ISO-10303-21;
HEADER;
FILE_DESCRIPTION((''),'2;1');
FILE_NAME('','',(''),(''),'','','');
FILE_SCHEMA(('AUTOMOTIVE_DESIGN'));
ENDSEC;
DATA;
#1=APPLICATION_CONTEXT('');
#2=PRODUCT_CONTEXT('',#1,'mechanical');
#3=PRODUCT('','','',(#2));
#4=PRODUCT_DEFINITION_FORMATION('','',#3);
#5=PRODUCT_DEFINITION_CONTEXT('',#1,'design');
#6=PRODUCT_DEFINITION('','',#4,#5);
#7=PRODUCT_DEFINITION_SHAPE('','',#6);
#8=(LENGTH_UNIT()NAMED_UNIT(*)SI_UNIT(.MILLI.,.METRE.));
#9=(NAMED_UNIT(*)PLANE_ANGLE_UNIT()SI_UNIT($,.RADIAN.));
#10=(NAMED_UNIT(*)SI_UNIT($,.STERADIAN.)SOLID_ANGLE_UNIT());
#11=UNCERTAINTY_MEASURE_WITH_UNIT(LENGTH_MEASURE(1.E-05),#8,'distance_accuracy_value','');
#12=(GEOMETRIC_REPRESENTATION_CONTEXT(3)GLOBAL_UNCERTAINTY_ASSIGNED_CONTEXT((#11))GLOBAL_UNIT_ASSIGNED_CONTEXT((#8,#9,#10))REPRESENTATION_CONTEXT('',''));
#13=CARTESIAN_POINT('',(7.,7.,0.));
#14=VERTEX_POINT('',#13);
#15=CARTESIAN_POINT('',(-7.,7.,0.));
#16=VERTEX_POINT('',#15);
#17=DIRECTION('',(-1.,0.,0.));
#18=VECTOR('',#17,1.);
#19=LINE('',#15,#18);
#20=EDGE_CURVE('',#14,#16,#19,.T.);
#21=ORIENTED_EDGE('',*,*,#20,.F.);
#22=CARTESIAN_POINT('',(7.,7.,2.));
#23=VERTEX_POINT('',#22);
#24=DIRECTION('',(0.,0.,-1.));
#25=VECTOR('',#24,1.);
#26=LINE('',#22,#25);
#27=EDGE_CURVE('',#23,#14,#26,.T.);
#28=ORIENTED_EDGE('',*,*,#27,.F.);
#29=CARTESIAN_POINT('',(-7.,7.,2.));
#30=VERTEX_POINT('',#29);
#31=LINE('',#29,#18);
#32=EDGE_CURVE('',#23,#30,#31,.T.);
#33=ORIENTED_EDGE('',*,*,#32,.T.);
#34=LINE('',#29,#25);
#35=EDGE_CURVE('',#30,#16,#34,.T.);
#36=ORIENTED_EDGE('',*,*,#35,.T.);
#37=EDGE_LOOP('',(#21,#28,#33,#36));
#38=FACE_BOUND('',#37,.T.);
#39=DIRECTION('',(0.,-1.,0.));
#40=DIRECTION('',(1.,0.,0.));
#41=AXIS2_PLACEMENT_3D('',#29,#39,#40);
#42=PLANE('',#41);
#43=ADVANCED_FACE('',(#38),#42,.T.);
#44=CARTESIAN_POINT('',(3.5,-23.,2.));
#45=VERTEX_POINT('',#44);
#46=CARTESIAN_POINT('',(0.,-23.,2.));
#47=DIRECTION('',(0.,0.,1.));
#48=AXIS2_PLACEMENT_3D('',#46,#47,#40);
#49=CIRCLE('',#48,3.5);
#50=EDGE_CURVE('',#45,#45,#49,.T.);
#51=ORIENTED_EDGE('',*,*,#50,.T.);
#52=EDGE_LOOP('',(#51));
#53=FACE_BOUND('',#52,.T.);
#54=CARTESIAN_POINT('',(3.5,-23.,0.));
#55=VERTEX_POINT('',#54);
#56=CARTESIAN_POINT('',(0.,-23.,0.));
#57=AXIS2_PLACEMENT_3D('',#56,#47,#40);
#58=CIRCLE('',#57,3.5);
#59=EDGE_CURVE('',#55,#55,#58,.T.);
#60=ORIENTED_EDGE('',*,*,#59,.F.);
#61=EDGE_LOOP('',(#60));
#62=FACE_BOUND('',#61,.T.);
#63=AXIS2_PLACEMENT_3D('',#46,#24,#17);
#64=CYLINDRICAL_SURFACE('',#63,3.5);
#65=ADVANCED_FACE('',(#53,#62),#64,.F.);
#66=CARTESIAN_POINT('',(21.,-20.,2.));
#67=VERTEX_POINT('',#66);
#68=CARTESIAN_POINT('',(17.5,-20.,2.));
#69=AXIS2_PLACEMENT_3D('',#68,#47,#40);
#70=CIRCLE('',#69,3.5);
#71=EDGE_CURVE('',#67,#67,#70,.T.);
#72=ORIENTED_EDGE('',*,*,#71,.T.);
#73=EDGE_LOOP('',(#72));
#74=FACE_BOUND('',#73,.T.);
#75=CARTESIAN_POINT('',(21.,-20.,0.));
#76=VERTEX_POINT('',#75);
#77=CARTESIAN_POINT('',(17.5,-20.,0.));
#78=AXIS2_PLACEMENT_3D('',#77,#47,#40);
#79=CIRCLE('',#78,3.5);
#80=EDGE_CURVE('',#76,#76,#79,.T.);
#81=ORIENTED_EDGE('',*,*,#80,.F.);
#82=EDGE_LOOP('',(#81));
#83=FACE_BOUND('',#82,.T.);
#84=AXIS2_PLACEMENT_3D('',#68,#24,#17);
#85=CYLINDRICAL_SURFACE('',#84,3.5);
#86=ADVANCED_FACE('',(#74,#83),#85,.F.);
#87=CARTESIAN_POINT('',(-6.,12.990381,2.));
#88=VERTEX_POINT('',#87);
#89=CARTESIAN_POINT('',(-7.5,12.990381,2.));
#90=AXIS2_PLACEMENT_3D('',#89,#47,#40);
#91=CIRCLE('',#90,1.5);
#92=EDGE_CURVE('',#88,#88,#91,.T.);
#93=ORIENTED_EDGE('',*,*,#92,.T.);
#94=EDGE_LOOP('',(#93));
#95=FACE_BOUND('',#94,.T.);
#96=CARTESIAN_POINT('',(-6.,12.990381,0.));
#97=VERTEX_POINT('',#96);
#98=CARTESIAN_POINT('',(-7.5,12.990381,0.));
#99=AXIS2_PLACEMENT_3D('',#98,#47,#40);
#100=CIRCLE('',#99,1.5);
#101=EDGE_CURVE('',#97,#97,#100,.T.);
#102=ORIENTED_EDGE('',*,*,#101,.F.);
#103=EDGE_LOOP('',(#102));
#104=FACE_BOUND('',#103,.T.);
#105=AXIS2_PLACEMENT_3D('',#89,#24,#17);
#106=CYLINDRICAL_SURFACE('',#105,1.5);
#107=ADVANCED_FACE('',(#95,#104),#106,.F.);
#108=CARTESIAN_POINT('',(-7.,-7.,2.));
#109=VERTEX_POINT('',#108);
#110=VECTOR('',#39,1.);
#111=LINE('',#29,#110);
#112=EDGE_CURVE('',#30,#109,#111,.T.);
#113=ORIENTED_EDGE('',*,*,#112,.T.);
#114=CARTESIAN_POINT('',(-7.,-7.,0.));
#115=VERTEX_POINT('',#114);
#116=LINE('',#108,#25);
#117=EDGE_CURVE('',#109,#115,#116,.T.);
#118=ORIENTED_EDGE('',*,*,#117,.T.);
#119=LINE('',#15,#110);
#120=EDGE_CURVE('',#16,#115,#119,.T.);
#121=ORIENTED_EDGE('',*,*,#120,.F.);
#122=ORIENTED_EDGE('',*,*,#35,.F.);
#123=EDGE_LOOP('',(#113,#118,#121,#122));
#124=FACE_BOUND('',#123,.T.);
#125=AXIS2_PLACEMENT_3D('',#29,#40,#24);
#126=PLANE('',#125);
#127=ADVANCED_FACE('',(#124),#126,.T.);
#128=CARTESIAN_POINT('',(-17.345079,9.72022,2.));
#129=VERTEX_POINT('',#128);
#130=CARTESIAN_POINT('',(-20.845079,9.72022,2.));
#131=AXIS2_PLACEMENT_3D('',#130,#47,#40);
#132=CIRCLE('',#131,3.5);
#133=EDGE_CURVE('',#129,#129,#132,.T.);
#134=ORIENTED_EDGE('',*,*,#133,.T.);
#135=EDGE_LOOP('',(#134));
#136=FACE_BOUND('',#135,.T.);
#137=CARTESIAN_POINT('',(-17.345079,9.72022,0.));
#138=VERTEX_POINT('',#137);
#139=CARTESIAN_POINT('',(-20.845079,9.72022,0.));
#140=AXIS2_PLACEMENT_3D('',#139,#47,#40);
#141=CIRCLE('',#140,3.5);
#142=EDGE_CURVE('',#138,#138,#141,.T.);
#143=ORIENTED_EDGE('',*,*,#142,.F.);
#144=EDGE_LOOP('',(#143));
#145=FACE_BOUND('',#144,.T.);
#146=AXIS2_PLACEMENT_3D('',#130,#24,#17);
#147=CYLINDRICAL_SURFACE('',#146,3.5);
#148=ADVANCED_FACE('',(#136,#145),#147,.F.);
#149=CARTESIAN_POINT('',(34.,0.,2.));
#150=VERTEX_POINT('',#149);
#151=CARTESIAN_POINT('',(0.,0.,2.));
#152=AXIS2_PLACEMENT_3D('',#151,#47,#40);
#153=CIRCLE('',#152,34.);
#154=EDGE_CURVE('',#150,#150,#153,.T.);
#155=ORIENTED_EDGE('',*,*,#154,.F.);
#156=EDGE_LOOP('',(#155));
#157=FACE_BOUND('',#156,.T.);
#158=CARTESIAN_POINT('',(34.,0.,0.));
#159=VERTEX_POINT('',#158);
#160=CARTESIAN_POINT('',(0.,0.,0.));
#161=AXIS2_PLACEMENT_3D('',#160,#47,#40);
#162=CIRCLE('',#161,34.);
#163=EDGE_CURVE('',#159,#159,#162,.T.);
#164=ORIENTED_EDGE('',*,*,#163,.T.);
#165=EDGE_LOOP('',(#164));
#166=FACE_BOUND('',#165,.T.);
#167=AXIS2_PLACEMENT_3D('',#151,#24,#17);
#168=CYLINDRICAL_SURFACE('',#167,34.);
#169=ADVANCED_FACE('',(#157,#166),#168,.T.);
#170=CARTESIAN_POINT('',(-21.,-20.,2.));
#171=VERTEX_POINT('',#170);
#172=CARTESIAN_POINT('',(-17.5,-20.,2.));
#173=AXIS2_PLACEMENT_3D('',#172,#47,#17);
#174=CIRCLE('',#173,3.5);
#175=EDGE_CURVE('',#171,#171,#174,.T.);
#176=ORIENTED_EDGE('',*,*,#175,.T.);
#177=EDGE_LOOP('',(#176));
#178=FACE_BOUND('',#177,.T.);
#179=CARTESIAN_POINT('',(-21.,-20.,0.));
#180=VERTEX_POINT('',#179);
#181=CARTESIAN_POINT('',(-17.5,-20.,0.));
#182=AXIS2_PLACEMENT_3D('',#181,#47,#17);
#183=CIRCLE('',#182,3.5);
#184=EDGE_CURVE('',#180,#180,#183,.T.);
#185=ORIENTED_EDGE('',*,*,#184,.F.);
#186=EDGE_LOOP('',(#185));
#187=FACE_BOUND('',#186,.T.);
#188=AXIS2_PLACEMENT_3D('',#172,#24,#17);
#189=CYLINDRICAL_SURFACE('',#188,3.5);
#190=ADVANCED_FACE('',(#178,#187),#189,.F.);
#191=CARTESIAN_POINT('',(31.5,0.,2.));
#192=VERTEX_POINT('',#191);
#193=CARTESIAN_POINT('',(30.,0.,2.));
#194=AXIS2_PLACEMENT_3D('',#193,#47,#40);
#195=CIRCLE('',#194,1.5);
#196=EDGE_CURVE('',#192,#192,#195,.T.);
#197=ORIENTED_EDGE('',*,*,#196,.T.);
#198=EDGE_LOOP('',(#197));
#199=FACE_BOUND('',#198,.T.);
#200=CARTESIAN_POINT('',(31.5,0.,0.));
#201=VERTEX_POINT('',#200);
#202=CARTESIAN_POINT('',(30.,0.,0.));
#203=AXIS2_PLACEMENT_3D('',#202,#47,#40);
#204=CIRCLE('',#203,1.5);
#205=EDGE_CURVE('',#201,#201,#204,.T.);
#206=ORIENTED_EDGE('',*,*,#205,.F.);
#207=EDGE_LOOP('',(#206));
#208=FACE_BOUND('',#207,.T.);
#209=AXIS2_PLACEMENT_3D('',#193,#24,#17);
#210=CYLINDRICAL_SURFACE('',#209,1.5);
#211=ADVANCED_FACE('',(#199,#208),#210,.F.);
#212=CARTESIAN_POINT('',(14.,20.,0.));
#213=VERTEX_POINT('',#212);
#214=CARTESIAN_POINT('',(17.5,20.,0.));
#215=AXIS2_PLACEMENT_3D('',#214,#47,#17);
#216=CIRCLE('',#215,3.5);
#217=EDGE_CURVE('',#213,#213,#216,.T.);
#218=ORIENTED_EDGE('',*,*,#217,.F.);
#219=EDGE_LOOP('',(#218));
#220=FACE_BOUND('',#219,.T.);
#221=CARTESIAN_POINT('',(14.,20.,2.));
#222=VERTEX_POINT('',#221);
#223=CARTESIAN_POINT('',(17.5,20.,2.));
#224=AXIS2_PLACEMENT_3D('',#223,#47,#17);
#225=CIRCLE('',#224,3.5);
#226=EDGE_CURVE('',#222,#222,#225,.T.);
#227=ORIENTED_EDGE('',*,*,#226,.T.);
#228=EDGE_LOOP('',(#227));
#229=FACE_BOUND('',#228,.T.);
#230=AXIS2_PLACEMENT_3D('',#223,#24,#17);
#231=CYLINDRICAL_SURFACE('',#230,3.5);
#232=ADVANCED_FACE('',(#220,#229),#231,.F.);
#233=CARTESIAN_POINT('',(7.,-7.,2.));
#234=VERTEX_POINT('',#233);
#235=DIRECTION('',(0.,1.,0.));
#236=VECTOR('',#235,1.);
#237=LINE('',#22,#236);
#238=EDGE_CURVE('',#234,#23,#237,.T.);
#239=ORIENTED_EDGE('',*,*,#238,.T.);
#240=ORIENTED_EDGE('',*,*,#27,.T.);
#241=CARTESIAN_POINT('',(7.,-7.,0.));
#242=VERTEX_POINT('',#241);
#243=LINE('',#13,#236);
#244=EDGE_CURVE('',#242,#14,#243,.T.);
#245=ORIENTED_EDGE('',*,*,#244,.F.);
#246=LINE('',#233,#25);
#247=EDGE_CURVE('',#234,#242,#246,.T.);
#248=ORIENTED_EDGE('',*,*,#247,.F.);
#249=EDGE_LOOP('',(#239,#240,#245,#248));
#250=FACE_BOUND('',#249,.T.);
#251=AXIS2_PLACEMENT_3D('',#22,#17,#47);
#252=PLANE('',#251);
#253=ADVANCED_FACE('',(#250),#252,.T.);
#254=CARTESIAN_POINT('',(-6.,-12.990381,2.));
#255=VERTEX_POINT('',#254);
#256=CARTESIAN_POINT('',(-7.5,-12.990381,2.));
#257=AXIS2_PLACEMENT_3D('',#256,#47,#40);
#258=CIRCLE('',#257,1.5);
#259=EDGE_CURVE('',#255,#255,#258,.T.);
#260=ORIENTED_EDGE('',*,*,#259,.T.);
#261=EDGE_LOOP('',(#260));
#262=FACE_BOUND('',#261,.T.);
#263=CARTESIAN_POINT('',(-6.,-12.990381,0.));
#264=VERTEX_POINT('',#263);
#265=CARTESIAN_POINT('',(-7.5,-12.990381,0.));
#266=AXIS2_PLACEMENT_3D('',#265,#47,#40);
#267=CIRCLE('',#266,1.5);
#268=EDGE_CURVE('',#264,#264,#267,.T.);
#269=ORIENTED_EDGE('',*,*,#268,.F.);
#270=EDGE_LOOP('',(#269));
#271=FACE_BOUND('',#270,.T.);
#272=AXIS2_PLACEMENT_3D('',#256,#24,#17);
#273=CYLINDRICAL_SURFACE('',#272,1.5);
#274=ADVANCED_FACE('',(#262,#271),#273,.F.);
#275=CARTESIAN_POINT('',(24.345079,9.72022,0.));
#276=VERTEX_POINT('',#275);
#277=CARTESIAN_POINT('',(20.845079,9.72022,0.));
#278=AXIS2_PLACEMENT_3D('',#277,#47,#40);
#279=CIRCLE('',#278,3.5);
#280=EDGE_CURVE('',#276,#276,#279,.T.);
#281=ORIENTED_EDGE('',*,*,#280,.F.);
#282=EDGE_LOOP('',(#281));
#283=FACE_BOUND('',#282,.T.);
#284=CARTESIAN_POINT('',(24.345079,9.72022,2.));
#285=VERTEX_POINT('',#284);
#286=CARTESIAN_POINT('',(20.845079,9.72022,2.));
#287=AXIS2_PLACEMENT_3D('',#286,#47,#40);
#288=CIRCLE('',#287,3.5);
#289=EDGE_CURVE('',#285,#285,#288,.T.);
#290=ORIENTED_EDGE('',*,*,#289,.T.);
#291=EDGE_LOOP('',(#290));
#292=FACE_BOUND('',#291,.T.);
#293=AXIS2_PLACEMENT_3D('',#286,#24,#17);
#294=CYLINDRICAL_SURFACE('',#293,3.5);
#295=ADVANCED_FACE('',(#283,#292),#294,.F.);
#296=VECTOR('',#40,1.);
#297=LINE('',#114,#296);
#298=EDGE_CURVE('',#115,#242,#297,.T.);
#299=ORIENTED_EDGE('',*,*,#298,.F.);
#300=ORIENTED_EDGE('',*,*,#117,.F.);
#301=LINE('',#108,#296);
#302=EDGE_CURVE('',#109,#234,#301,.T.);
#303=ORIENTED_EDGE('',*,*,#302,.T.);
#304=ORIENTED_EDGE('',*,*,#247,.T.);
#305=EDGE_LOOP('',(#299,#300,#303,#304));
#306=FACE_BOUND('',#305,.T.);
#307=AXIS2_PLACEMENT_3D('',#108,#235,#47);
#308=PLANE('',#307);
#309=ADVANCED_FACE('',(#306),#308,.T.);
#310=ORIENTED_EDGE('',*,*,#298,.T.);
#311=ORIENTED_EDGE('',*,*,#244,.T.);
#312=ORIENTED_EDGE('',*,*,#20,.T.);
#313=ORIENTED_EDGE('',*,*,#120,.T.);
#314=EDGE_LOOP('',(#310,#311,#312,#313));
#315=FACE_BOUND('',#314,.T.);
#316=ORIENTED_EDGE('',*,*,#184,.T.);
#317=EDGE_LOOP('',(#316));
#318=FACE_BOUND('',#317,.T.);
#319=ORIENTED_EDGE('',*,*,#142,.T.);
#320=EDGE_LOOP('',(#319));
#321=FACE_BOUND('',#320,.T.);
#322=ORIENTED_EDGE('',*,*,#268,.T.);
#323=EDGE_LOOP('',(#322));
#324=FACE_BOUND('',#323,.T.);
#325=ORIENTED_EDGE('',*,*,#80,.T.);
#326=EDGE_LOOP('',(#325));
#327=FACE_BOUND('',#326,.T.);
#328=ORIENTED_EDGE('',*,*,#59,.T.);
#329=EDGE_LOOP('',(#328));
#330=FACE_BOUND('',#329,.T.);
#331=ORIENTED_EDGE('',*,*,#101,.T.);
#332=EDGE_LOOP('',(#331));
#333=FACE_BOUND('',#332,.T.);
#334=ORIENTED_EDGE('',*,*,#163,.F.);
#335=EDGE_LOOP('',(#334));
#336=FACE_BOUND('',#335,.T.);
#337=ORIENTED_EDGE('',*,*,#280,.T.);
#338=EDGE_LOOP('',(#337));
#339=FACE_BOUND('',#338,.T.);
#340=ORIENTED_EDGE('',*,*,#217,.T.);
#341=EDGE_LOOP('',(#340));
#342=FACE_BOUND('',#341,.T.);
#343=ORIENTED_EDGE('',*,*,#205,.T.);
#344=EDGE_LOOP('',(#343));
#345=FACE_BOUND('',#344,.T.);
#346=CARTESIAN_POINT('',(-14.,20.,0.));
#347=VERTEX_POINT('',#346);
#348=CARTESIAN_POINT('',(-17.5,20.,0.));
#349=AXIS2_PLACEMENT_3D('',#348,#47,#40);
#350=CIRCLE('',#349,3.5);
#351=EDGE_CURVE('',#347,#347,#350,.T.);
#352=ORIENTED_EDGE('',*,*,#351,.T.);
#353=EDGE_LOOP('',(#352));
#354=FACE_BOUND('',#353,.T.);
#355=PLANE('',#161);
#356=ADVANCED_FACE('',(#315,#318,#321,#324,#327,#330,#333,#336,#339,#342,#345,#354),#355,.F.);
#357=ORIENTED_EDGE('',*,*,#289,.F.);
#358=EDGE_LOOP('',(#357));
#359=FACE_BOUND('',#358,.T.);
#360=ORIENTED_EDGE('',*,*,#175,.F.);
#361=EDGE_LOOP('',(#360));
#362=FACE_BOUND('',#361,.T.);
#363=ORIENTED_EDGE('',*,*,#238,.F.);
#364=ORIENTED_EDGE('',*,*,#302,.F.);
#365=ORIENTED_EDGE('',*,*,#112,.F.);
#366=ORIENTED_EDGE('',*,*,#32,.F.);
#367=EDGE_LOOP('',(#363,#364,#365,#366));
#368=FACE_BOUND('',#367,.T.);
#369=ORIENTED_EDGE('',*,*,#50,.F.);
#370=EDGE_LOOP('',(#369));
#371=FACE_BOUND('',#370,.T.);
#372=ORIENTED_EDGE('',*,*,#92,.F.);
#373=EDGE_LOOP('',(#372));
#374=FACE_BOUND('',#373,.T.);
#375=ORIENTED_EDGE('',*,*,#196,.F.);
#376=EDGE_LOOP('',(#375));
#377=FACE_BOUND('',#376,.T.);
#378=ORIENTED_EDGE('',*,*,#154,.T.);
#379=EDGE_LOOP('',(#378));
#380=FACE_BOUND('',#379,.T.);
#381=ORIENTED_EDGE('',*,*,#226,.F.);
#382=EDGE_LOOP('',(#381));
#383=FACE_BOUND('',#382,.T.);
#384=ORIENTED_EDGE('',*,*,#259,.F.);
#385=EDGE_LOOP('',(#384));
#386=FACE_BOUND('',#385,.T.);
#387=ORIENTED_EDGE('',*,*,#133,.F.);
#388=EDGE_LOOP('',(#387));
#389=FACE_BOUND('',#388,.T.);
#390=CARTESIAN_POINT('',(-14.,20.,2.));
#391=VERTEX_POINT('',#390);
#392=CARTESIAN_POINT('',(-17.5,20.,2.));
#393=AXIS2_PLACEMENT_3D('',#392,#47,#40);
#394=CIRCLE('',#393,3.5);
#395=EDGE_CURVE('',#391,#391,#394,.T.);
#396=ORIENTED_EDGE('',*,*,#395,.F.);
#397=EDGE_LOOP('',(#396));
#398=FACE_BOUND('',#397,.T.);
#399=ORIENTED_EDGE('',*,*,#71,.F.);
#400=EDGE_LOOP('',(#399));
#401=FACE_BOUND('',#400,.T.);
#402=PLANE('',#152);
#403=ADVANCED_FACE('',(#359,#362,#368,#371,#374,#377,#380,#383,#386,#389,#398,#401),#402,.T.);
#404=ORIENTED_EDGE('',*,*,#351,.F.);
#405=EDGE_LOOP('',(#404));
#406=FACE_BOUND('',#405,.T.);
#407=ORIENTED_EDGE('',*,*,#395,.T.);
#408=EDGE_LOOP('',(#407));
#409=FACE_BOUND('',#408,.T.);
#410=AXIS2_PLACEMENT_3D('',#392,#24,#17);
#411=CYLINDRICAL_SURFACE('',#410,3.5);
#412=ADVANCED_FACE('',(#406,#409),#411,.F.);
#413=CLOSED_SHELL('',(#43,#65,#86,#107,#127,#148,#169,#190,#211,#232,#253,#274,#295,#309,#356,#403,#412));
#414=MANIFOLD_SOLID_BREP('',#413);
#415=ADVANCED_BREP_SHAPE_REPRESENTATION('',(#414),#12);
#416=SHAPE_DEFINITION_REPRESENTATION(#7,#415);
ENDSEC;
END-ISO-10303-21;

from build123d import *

# Parameters (mm, degrees)
SKETCH1_R           = 34
SKETCH1_R_2         = 1.5
SKETCH1_R_3         = 3.5
SKETCH1_W           = 14
SKETCH1_H           = 14
BOSS_EXTRUDE1_DEPTH = 2


with BuildPart() as part:
    # Sketch1 → Boss-Extrude1 (new body)
    with BuildSketch(Plane.XY):
        Circle(SKETCH1_R)
        with Locations((30, 0)):
            Circle(SKETCH1_R_2, mode=Mode.SUBTRACT)
        with Locations((-7.5, -12.990381057)):
            Circle(SKETCH1_R_2, mode=Mode.SUBTRACT)
        with Locations((-7.5, 12.990381057)):
            Circle(SKETCH1_R_2, mode=Mode.SUBTRACT)
        with Locations((-17.5, 20)):
            Circle(SKETCH1_R_3, mode=Mode.SUBTRACT)
        with Locations(Location((17.5, 20, 0), (0, 0, 180))):
            Circle(SKETCH1_R_3, mode=Mode.SUBTRACT)
        with Locations(Location((-17.5, -20, 0), (0, 0, 180))):
            Circle(SKETCH1_R_3, mode=Mode.SUBTRACT)
        with Locations((17.5, -20)):
            Circle(SKETCH1_R_3, mode=Mode.SUBTRACT)
        with Locations((20.845079102, 9.72022002)):
            Circle(SKETCH1_R_3, mode=Mode.SUBTRACT)
        with Locations((0, -23)):
            Circle(SKETCH1_R_3, mode=Mode.SUBTRACT)
        with Locations((-20.845079102, 9.72022002)):
            Circle(SKETCH1_R_3, mode=Mode.SUBTRACT)
        Rectangle(SKETCH1_W, SKETCH1_H, mode=Mode.SUBTRACT)
    extrude(amount=BOSS_EXTRUDE1_DEPTH)


solid = part.part
